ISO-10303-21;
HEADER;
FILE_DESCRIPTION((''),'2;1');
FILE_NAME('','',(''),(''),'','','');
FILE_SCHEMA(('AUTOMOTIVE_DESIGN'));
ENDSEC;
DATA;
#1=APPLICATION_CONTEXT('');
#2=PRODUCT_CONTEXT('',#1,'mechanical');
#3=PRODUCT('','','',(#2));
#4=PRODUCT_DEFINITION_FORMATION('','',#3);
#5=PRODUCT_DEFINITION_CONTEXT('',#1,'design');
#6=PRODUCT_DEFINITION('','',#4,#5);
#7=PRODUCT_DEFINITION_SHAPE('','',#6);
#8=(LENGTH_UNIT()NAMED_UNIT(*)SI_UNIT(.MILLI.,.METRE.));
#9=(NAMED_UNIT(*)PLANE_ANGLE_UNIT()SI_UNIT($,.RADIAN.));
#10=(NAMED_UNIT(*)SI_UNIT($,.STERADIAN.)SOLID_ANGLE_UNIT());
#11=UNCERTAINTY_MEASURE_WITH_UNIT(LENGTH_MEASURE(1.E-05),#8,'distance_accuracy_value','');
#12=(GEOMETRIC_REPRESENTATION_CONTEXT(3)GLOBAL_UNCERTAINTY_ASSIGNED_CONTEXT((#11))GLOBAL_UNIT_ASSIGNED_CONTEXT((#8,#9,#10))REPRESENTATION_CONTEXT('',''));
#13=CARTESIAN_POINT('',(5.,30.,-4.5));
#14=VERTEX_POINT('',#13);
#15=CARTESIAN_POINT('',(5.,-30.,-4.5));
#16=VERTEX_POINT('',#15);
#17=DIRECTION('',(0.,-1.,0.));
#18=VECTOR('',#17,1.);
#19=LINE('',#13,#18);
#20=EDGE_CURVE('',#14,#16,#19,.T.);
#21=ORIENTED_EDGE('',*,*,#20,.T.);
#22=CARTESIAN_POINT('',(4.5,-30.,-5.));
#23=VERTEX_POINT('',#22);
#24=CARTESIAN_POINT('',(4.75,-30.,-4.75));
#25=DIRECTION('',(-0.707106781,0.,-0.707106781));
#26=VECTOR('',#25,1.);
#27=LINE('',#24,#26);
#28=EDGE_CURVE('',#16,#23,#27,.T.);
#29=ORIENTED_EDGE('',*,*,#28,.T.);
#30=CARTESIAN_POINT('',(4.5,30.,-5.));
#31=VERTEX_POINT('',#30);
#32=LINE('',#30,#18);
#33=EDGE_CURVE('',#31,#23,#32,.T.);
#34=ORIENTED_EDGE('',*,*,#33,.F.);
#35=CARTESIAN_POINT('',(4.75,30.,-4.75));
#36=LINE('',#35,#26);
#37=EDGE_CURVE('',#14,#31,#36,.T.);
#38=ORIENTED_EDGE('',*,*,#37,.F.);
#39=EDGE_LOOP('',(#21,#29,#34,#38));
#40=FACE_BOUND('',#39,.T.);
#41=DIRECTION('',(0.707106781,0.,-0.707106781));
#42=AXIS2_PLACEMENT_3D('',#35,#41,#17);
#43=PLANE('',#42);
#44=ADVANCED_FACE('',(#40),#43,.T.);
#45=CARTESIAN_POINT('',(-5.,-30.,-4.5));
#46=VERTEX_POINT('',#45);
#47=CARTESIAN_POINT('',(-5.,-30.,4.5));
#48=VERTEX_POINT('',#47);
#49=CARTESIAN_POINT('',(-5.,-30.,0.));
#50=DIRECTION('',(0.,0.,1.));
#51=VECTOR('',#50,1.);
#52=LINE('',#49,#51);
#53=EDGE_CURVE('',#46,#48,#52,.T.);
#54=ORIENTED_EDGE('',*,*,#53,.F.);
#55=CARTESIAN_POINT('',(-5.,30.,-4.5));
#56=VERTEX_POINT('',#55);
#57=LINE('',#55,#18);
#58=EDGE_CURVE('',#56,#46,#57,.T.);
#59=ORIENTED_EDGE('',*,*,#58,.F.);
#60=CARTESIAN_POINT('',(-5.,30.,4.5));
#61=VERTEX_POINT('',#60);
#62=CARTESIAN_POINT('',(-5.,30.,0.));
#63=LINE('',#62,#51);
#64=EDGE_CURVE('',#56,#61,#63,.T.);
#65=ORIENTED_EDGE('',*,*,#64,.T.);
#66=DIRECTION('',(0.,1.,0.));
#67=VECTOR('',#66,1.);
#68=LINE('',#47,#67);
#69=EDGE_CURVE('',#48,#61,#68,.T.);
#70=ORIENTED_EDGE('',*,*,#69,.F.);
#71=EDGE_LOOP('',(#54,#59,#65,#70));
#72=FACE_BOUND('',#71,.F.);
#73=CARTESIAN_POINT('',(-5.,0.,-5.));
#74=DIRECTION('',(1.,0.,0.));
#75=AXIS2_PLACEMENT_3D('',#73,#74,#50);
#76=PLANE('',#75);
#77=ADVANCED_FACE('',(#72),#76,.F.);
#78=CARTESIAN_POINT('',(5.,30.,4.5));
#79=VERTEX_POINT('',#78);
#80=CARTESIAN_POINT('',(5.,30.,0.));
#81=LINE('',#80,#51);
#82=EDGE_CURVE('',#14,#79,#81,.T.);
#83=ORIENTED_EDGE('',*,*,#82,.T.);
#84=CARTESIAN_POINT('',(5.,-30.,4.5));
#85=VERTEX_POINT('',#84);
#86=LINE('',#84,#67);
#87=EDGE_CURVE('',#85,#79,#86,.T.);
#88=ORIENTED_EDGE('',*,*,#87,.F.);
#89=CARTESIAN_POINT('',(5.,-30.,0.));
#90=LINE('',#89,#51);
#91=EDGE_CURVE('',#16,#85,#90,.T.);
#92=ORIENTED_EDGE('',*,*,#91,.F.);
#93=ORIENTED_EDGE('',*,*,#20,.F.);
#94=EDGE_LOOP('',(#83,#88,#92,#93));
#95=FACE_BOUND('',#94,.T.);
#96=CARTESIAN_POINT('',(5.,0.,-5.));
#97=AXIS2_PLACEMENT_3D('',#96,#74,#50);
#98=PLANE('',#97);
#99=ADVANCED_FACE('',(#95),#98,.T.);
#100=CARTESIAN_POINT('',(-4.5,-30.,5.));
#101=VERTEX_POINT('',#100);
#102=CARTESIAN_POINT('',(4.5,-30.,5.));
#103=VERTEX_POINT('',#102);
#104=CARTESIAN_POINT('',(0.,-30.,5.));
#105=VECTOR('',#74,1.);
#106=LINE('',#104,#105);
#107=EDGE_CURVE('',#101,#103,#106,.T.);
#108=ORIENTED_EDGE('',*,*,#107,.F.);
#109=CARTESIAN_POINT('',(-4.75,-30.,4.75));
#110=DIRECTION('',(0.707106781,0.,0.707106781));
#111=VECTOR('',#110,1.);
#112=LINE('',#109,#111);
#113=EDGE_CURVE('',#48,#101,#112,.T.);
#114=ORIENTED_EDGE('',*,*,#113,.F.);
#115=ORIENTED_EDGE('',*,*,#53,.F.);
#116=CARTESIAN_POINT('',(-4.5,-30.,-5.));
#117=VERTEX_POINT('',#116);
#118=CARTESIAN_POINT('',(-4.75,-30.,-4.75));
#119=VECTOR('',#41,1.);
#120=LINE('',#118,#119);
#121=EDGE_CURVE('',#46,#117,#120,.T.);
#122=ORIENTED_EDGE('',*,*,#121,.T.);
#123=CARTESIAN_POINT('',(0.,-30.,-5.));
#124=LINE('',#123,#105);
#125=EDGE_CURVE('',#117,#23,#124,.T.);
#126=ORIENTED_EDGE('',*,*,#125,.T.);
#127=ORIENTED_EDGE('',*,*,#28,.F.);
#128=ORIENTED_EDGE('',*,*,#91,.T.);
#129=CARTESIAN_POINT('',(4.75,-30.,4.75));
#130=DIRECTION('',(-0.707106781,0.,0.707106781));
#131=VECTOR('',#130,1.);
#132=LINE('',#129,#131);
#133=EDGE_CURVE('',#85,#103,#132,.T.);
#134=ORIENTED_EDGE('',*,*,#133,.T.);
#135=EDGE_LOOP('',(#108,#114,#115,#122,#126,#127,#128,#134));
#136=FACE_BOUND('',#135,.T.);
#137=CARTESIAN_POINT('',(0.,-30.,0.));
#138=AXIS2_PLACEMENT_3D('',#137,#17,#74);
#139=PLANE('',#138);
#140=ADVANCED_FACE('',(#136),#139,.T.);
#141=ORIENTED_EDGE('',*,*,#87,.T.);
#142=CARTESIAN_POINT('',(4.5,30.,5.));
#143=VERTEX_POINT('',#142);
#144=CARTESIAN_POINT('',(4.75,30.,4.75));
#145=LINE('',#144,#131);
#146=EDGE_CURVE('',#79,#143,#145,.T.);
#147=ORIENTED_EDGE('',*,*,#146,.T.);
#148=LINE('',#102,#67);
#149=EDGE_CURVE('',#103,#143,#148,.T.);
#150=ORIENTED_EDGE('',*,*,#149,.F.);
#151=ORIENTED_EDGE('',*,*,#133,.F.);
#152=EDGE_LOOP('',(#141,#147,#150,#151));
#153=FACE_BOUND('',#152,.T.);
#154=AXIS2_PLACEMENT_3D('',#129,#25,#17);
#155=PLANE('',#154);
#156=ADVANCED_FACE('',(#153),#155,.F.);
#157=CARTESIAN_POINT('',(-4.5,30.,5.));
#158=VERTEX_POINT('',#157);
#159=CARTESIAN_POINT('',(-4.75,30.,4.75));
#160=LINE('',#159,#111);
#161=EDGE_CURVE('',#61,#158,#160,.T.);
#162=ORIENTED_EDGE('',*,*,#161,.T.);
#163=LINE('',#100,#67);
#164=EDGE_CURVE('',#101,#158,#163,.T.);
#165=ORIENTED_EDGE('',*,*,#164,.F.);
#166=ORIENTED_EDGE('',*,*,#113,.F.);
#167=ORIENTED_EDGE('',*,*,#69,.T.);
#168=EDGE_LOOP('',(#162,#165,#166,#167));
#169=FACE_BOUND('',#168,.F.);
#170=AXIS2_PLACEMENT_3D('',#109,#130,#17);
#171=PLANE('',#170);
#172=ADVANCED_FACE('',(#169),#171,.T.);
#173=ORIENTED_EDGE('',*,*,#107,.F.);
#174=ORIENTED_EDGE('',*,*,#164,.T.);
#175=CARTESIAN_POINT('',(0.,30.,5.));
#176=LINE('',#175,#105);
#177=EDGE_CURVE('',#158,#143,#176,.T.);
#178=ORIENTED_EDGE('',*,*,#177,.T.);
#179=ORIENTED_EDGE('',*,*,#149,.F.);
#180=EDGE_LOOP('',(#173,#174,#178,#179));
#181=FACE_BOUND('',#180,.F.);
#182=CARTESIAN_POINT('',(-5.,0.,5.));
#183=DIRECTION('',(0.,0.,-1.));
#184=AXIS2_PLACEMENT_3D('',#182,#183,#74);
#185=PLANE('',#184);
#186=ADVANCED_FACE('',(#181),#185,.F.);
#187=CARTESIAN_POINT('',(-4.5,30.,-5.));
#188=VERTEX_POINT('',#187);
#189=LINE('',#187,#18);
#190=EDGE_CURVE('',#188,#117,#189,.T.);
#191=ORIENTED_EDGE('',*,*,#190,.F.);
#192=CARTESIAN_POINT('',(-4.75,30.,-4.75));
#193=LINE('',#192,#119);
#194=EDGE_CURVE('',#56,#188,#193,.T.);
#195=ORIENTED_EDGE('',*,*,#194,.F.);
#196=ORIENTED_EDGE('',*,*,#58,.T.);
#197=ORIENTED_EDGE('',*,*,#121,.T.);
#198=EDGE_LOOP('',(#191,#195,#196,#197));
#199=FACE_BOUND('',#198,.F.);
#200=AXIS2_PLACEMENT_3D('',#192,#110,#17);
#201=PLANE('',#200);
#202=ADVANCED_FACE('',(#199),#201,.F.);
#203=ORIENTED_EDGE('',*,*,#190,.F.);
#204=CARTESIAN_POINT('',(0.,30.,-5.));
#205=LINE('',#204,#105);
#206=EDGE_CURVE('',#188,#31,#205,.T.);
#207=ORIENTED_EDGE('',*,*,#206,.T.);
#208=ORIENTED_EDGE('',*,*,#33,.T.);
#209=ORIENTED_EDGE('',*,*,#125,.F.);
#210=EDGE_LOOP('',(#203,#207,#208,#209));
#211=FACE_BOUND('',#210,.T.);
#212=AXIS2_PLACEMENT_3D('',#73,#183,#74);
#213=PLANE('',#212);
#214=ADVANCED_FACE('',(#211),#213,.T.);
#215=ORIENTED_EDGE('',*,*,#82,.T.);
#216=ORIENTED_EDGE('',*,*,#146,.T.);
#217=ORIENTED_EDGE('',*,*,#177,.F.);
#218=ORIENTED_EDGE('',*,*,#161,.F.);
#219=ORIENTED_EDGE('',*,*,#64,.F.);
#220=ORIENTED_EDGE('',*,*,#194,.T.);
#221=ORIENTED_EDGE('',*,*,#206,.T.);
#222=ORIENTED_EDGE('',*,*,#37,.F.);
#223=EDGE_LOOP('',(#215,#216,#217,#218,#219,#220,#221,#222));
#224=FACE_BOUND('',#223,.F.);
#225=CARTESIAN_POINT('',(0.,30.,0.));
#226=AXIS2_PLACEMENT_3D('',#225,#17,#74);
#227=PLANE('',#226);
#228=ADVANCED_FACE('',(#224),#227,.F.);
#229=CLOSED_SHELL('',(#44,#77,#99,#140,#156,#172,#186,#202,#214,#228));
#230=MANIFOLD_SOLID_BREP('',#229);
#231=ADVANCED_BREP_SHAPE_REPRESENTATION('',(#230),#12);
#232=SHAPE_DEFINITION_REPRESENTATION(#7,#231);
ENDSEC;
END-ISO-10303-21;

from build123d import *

# Parameters (mm, degrees)
F0_W     = 10
F0_H     = 10
F1_DEPTH = 30
F2_SIZE  = 0.5


with BuildPart() as f1:
    # F0 (on Front) → F1 (new body, symmetric)
    with BuildSketch(Plane.XZ):
        Rectangle(F0_W, F0_H)
    extrude(amount=F1_DEPTH, both=True)

    # F2
    f2_edges = [f1.edges().sort_by_distance(p)[0] for p in [
        (5, 0, 5),
        (5, 0, -5),
        (-5, 0, 5),
        (-5, 0, -5),
    ]]
    chamfer(f2_edges, length=F2_SIZE)


solid = f1.part
